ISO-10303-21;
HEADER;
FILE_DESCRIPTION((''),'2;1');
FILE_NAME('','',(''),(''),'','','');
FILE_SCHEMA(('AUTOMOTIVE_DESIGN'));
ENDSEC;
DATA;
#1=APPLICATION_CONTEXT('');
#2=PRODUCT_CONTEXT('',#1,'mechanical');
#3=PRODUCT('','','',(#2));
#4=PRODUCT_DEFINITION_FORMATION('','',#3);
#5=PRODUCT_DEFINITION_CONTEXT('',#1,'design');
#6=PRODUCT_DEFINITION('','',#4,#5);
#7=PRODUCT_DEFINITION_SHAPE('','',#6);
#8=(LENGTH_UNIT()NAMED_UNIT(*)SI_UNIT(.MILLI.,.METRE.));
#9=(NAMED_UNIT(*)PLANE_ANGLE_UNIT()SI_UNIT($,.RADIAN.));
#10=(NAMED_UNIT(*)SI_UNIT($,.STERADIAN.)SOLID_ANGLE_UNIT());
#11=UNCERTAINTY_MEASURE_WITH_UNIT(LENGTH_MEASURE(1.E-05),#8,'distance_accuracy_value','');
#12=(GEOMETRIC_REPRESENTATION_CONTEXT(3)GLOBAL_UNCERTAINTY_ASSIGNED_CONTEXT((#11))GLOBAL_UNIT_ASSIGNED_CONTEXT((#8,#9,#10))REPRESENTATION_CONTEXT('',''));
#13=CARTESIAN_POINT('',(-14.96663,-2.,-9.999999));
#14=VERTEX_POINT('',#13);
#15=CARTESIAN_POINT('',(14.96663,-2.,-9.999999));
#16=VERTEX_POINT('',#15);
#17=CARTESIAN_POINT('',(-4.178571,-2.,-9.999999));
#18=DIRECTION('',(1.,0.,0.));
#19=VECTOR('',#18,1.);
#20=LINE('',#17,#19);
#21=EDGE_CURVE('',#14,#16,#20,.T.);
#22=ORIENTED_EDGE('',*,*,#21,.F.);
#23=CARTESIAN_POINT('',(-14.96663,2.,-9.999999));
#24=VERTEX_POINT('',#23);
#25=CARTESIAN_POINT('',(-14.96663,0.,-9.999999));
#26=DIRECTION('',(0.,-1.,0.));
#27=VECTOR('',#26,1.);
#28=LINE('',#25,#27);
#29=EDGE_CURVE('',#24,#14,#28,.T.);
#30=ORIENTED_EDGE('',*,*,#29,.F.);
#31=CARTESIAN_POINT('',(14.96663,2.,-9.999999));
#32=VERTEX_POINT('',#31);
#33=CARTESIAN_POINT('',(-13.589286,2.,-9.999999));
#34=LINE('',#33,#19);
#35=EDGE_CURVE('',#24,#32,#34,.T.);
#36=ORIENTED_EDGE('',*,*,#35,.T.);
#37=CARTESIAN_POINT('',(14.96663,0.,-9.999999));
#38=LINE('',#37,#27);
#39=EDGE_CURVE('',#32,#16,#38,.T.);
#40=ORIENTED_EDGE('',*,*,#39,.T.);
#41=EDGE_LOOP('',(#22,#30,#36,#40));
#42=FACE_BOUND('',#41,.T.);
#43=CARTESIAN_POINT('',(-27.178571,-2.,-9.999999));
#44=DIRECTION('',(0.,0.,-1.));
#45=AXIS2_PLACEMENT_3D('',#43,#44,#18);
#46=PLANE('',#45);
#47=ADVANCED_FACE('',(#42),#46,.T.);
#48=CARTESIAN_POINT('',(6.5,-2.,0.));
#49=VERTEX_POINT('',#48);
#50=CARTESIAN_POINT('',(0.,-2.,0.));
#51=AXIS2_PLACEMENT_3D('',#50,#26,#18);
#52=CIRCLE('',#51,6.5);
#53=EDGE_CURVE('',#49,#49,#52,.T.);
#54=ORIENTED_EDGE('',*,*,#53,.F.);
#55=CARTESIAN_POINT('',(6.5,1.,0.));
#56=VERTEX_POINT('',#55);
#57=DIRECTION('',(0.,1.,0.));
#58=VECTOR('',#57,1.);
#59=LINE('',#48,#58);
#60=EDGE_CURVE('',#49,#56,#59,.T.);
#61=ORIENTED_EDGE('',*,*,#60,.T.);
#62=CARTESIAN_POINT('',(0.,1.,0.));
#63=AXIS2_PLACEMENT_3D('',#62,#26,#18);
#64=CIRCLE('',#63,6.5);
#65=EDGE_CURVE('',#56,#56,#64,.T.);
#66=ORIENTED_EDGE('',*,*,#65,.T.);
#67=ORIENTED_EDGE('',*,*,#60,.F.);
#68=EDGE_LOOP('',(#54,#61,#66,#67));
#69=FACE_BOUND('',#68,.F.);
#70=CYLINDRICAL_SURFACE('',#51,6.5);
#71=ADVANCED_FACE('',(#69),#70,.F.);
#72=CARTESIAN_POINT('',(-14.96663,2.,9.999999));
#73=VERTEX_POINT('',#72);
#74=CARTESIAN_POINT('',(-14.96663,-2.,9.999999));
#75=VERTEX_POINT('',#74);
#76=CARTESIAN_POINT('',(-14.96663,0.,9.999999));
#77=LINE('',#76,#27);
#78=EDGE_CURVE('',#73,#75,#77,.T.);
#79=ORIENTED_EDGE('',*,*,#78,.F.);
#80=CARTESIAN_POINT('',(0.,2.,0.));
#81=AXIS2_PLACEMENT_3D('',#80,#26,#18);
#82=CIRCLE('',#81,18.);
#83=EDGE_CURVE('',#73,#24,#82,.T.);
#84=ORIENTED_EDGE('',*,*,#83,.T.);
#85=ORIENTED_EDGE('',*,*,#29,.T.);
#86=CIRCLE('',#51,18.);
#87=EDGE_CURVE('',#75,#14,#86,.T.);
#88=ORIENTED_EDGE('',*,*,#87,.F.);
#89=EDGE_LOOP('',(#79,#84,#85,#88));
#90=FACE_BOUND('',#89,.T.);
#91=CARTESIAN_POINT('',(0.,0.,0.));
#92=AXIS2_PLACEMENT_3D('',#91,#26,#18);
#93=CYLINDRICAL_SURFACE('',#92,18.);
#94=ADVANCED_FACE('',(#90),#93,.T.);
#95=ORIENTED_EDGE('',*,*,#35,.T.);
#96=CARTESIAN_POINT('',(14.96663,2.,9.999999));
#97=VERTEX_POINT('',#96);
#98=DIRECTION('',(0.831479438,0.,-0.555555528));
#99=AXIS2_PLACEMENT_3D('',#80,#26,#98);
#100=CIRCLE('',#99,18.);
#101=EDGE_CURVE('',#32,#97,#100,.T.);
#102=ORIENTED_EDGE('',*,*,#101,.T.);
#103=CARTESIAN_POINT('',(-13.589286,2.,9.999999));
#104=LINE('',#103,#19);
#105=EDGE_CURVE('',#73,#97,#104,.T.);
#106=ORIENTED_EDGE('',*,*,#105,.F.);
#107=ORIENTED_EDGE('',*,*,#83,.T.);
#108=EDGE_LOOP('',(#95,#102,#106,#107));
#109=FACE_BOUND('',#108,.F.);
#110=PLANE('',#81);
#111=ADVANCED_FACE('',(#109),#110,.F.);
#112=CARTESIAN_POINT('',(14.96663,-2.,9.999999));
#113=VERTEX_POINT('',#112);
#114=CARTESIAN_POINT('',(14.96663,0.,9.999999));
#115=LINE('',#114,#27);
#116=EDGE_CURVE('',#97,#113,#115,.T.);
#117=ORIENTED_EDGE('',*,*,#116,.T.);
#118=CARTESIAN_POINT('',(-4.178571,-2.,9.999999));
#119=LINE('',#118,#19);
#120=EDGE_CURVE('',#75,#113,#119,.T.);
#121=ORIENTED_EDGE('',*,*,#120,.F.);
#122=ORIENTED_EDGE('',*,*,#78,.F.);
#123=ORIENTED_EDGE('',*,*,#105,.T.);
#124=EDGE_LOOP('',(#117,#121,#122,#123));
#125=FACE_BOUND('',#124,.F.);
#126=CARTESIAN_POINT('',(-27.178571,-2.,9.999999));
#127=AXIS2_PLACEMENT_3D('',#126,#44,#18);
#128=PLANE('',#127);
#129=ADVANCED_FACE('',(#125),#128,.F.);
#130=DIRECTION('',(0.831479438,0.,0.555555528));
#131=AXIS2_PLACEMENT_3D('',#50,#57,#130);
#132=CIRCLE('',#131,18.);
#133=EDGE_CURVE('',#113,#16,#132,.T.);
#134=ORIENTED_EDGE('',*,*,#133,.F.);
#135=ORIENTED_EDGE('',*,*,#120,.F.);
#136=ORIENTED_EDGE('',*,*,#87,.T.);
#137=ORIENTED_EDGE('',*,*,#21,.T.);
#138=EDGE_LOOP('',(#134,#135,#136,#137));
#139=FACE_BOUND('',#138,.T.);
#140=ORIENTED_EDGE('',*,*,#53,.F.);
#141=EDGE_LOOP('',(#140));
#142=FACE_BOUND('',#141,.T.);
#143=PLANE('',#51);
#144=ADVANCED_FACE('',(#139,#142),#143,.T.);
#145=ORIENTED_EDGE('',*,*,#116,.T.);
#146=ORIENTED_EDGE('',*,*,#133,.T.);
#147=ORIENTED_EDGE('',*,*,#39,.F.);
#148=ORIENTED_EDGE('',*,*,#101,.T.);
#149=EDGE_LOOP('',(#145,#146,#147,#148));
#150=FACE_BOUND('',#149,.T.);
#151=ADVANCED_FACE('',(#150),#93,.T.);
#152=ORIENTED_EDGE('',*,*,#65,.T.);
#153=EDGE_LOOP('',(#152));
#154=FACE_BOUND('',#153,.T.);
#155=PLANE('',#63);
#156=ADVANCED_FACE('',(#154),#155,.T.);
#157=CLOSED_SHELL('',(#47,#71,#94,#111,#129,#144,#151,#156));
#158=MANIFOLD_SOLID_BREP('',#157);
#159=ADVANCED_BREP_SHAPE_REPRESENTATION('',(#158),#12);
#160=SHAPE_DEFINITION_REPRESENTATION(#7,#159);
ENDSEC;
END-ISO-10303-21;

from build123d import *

# Parameters (mm, degrees)
F0_R     = 18
F1_DEPTH = 2
F2_R     = 6.5
F3_DEPTH = 3
F4_W     = 46
F4_H     = 8.283501
F5_DEPTH = 25


with BuildPart() as f1:
    # F0 (on Front) → F1 (new body, symmetric)
    with BuildSketch(Plane.XZ):
        Circle(F0_R)
    extrude(amount=F1_DEPTH, both=True)

    # F2 (on face) → F3 (cut)
    with BuildSketch(Plane.XZ.offset(2)):
        Circle(F2_R)
    extrude(amount=-F3_DEPTH, mode=Mode.SUBTRACT)

    # F4 (on face) → F5 (cut)
    with BuildSketch(Plane.XZ.offset(2)):
        with Locations((-4.178571, 14.14175)):
            Rectangle(F4_W, F4_H)
        with Locations((-4.178571, -14.14175)):
            Rectangle(F4_W, F4_H)
    extrude(amount=-F5_DEPTH, mode=Mode.SUBTRACT)


solid = f1.part
